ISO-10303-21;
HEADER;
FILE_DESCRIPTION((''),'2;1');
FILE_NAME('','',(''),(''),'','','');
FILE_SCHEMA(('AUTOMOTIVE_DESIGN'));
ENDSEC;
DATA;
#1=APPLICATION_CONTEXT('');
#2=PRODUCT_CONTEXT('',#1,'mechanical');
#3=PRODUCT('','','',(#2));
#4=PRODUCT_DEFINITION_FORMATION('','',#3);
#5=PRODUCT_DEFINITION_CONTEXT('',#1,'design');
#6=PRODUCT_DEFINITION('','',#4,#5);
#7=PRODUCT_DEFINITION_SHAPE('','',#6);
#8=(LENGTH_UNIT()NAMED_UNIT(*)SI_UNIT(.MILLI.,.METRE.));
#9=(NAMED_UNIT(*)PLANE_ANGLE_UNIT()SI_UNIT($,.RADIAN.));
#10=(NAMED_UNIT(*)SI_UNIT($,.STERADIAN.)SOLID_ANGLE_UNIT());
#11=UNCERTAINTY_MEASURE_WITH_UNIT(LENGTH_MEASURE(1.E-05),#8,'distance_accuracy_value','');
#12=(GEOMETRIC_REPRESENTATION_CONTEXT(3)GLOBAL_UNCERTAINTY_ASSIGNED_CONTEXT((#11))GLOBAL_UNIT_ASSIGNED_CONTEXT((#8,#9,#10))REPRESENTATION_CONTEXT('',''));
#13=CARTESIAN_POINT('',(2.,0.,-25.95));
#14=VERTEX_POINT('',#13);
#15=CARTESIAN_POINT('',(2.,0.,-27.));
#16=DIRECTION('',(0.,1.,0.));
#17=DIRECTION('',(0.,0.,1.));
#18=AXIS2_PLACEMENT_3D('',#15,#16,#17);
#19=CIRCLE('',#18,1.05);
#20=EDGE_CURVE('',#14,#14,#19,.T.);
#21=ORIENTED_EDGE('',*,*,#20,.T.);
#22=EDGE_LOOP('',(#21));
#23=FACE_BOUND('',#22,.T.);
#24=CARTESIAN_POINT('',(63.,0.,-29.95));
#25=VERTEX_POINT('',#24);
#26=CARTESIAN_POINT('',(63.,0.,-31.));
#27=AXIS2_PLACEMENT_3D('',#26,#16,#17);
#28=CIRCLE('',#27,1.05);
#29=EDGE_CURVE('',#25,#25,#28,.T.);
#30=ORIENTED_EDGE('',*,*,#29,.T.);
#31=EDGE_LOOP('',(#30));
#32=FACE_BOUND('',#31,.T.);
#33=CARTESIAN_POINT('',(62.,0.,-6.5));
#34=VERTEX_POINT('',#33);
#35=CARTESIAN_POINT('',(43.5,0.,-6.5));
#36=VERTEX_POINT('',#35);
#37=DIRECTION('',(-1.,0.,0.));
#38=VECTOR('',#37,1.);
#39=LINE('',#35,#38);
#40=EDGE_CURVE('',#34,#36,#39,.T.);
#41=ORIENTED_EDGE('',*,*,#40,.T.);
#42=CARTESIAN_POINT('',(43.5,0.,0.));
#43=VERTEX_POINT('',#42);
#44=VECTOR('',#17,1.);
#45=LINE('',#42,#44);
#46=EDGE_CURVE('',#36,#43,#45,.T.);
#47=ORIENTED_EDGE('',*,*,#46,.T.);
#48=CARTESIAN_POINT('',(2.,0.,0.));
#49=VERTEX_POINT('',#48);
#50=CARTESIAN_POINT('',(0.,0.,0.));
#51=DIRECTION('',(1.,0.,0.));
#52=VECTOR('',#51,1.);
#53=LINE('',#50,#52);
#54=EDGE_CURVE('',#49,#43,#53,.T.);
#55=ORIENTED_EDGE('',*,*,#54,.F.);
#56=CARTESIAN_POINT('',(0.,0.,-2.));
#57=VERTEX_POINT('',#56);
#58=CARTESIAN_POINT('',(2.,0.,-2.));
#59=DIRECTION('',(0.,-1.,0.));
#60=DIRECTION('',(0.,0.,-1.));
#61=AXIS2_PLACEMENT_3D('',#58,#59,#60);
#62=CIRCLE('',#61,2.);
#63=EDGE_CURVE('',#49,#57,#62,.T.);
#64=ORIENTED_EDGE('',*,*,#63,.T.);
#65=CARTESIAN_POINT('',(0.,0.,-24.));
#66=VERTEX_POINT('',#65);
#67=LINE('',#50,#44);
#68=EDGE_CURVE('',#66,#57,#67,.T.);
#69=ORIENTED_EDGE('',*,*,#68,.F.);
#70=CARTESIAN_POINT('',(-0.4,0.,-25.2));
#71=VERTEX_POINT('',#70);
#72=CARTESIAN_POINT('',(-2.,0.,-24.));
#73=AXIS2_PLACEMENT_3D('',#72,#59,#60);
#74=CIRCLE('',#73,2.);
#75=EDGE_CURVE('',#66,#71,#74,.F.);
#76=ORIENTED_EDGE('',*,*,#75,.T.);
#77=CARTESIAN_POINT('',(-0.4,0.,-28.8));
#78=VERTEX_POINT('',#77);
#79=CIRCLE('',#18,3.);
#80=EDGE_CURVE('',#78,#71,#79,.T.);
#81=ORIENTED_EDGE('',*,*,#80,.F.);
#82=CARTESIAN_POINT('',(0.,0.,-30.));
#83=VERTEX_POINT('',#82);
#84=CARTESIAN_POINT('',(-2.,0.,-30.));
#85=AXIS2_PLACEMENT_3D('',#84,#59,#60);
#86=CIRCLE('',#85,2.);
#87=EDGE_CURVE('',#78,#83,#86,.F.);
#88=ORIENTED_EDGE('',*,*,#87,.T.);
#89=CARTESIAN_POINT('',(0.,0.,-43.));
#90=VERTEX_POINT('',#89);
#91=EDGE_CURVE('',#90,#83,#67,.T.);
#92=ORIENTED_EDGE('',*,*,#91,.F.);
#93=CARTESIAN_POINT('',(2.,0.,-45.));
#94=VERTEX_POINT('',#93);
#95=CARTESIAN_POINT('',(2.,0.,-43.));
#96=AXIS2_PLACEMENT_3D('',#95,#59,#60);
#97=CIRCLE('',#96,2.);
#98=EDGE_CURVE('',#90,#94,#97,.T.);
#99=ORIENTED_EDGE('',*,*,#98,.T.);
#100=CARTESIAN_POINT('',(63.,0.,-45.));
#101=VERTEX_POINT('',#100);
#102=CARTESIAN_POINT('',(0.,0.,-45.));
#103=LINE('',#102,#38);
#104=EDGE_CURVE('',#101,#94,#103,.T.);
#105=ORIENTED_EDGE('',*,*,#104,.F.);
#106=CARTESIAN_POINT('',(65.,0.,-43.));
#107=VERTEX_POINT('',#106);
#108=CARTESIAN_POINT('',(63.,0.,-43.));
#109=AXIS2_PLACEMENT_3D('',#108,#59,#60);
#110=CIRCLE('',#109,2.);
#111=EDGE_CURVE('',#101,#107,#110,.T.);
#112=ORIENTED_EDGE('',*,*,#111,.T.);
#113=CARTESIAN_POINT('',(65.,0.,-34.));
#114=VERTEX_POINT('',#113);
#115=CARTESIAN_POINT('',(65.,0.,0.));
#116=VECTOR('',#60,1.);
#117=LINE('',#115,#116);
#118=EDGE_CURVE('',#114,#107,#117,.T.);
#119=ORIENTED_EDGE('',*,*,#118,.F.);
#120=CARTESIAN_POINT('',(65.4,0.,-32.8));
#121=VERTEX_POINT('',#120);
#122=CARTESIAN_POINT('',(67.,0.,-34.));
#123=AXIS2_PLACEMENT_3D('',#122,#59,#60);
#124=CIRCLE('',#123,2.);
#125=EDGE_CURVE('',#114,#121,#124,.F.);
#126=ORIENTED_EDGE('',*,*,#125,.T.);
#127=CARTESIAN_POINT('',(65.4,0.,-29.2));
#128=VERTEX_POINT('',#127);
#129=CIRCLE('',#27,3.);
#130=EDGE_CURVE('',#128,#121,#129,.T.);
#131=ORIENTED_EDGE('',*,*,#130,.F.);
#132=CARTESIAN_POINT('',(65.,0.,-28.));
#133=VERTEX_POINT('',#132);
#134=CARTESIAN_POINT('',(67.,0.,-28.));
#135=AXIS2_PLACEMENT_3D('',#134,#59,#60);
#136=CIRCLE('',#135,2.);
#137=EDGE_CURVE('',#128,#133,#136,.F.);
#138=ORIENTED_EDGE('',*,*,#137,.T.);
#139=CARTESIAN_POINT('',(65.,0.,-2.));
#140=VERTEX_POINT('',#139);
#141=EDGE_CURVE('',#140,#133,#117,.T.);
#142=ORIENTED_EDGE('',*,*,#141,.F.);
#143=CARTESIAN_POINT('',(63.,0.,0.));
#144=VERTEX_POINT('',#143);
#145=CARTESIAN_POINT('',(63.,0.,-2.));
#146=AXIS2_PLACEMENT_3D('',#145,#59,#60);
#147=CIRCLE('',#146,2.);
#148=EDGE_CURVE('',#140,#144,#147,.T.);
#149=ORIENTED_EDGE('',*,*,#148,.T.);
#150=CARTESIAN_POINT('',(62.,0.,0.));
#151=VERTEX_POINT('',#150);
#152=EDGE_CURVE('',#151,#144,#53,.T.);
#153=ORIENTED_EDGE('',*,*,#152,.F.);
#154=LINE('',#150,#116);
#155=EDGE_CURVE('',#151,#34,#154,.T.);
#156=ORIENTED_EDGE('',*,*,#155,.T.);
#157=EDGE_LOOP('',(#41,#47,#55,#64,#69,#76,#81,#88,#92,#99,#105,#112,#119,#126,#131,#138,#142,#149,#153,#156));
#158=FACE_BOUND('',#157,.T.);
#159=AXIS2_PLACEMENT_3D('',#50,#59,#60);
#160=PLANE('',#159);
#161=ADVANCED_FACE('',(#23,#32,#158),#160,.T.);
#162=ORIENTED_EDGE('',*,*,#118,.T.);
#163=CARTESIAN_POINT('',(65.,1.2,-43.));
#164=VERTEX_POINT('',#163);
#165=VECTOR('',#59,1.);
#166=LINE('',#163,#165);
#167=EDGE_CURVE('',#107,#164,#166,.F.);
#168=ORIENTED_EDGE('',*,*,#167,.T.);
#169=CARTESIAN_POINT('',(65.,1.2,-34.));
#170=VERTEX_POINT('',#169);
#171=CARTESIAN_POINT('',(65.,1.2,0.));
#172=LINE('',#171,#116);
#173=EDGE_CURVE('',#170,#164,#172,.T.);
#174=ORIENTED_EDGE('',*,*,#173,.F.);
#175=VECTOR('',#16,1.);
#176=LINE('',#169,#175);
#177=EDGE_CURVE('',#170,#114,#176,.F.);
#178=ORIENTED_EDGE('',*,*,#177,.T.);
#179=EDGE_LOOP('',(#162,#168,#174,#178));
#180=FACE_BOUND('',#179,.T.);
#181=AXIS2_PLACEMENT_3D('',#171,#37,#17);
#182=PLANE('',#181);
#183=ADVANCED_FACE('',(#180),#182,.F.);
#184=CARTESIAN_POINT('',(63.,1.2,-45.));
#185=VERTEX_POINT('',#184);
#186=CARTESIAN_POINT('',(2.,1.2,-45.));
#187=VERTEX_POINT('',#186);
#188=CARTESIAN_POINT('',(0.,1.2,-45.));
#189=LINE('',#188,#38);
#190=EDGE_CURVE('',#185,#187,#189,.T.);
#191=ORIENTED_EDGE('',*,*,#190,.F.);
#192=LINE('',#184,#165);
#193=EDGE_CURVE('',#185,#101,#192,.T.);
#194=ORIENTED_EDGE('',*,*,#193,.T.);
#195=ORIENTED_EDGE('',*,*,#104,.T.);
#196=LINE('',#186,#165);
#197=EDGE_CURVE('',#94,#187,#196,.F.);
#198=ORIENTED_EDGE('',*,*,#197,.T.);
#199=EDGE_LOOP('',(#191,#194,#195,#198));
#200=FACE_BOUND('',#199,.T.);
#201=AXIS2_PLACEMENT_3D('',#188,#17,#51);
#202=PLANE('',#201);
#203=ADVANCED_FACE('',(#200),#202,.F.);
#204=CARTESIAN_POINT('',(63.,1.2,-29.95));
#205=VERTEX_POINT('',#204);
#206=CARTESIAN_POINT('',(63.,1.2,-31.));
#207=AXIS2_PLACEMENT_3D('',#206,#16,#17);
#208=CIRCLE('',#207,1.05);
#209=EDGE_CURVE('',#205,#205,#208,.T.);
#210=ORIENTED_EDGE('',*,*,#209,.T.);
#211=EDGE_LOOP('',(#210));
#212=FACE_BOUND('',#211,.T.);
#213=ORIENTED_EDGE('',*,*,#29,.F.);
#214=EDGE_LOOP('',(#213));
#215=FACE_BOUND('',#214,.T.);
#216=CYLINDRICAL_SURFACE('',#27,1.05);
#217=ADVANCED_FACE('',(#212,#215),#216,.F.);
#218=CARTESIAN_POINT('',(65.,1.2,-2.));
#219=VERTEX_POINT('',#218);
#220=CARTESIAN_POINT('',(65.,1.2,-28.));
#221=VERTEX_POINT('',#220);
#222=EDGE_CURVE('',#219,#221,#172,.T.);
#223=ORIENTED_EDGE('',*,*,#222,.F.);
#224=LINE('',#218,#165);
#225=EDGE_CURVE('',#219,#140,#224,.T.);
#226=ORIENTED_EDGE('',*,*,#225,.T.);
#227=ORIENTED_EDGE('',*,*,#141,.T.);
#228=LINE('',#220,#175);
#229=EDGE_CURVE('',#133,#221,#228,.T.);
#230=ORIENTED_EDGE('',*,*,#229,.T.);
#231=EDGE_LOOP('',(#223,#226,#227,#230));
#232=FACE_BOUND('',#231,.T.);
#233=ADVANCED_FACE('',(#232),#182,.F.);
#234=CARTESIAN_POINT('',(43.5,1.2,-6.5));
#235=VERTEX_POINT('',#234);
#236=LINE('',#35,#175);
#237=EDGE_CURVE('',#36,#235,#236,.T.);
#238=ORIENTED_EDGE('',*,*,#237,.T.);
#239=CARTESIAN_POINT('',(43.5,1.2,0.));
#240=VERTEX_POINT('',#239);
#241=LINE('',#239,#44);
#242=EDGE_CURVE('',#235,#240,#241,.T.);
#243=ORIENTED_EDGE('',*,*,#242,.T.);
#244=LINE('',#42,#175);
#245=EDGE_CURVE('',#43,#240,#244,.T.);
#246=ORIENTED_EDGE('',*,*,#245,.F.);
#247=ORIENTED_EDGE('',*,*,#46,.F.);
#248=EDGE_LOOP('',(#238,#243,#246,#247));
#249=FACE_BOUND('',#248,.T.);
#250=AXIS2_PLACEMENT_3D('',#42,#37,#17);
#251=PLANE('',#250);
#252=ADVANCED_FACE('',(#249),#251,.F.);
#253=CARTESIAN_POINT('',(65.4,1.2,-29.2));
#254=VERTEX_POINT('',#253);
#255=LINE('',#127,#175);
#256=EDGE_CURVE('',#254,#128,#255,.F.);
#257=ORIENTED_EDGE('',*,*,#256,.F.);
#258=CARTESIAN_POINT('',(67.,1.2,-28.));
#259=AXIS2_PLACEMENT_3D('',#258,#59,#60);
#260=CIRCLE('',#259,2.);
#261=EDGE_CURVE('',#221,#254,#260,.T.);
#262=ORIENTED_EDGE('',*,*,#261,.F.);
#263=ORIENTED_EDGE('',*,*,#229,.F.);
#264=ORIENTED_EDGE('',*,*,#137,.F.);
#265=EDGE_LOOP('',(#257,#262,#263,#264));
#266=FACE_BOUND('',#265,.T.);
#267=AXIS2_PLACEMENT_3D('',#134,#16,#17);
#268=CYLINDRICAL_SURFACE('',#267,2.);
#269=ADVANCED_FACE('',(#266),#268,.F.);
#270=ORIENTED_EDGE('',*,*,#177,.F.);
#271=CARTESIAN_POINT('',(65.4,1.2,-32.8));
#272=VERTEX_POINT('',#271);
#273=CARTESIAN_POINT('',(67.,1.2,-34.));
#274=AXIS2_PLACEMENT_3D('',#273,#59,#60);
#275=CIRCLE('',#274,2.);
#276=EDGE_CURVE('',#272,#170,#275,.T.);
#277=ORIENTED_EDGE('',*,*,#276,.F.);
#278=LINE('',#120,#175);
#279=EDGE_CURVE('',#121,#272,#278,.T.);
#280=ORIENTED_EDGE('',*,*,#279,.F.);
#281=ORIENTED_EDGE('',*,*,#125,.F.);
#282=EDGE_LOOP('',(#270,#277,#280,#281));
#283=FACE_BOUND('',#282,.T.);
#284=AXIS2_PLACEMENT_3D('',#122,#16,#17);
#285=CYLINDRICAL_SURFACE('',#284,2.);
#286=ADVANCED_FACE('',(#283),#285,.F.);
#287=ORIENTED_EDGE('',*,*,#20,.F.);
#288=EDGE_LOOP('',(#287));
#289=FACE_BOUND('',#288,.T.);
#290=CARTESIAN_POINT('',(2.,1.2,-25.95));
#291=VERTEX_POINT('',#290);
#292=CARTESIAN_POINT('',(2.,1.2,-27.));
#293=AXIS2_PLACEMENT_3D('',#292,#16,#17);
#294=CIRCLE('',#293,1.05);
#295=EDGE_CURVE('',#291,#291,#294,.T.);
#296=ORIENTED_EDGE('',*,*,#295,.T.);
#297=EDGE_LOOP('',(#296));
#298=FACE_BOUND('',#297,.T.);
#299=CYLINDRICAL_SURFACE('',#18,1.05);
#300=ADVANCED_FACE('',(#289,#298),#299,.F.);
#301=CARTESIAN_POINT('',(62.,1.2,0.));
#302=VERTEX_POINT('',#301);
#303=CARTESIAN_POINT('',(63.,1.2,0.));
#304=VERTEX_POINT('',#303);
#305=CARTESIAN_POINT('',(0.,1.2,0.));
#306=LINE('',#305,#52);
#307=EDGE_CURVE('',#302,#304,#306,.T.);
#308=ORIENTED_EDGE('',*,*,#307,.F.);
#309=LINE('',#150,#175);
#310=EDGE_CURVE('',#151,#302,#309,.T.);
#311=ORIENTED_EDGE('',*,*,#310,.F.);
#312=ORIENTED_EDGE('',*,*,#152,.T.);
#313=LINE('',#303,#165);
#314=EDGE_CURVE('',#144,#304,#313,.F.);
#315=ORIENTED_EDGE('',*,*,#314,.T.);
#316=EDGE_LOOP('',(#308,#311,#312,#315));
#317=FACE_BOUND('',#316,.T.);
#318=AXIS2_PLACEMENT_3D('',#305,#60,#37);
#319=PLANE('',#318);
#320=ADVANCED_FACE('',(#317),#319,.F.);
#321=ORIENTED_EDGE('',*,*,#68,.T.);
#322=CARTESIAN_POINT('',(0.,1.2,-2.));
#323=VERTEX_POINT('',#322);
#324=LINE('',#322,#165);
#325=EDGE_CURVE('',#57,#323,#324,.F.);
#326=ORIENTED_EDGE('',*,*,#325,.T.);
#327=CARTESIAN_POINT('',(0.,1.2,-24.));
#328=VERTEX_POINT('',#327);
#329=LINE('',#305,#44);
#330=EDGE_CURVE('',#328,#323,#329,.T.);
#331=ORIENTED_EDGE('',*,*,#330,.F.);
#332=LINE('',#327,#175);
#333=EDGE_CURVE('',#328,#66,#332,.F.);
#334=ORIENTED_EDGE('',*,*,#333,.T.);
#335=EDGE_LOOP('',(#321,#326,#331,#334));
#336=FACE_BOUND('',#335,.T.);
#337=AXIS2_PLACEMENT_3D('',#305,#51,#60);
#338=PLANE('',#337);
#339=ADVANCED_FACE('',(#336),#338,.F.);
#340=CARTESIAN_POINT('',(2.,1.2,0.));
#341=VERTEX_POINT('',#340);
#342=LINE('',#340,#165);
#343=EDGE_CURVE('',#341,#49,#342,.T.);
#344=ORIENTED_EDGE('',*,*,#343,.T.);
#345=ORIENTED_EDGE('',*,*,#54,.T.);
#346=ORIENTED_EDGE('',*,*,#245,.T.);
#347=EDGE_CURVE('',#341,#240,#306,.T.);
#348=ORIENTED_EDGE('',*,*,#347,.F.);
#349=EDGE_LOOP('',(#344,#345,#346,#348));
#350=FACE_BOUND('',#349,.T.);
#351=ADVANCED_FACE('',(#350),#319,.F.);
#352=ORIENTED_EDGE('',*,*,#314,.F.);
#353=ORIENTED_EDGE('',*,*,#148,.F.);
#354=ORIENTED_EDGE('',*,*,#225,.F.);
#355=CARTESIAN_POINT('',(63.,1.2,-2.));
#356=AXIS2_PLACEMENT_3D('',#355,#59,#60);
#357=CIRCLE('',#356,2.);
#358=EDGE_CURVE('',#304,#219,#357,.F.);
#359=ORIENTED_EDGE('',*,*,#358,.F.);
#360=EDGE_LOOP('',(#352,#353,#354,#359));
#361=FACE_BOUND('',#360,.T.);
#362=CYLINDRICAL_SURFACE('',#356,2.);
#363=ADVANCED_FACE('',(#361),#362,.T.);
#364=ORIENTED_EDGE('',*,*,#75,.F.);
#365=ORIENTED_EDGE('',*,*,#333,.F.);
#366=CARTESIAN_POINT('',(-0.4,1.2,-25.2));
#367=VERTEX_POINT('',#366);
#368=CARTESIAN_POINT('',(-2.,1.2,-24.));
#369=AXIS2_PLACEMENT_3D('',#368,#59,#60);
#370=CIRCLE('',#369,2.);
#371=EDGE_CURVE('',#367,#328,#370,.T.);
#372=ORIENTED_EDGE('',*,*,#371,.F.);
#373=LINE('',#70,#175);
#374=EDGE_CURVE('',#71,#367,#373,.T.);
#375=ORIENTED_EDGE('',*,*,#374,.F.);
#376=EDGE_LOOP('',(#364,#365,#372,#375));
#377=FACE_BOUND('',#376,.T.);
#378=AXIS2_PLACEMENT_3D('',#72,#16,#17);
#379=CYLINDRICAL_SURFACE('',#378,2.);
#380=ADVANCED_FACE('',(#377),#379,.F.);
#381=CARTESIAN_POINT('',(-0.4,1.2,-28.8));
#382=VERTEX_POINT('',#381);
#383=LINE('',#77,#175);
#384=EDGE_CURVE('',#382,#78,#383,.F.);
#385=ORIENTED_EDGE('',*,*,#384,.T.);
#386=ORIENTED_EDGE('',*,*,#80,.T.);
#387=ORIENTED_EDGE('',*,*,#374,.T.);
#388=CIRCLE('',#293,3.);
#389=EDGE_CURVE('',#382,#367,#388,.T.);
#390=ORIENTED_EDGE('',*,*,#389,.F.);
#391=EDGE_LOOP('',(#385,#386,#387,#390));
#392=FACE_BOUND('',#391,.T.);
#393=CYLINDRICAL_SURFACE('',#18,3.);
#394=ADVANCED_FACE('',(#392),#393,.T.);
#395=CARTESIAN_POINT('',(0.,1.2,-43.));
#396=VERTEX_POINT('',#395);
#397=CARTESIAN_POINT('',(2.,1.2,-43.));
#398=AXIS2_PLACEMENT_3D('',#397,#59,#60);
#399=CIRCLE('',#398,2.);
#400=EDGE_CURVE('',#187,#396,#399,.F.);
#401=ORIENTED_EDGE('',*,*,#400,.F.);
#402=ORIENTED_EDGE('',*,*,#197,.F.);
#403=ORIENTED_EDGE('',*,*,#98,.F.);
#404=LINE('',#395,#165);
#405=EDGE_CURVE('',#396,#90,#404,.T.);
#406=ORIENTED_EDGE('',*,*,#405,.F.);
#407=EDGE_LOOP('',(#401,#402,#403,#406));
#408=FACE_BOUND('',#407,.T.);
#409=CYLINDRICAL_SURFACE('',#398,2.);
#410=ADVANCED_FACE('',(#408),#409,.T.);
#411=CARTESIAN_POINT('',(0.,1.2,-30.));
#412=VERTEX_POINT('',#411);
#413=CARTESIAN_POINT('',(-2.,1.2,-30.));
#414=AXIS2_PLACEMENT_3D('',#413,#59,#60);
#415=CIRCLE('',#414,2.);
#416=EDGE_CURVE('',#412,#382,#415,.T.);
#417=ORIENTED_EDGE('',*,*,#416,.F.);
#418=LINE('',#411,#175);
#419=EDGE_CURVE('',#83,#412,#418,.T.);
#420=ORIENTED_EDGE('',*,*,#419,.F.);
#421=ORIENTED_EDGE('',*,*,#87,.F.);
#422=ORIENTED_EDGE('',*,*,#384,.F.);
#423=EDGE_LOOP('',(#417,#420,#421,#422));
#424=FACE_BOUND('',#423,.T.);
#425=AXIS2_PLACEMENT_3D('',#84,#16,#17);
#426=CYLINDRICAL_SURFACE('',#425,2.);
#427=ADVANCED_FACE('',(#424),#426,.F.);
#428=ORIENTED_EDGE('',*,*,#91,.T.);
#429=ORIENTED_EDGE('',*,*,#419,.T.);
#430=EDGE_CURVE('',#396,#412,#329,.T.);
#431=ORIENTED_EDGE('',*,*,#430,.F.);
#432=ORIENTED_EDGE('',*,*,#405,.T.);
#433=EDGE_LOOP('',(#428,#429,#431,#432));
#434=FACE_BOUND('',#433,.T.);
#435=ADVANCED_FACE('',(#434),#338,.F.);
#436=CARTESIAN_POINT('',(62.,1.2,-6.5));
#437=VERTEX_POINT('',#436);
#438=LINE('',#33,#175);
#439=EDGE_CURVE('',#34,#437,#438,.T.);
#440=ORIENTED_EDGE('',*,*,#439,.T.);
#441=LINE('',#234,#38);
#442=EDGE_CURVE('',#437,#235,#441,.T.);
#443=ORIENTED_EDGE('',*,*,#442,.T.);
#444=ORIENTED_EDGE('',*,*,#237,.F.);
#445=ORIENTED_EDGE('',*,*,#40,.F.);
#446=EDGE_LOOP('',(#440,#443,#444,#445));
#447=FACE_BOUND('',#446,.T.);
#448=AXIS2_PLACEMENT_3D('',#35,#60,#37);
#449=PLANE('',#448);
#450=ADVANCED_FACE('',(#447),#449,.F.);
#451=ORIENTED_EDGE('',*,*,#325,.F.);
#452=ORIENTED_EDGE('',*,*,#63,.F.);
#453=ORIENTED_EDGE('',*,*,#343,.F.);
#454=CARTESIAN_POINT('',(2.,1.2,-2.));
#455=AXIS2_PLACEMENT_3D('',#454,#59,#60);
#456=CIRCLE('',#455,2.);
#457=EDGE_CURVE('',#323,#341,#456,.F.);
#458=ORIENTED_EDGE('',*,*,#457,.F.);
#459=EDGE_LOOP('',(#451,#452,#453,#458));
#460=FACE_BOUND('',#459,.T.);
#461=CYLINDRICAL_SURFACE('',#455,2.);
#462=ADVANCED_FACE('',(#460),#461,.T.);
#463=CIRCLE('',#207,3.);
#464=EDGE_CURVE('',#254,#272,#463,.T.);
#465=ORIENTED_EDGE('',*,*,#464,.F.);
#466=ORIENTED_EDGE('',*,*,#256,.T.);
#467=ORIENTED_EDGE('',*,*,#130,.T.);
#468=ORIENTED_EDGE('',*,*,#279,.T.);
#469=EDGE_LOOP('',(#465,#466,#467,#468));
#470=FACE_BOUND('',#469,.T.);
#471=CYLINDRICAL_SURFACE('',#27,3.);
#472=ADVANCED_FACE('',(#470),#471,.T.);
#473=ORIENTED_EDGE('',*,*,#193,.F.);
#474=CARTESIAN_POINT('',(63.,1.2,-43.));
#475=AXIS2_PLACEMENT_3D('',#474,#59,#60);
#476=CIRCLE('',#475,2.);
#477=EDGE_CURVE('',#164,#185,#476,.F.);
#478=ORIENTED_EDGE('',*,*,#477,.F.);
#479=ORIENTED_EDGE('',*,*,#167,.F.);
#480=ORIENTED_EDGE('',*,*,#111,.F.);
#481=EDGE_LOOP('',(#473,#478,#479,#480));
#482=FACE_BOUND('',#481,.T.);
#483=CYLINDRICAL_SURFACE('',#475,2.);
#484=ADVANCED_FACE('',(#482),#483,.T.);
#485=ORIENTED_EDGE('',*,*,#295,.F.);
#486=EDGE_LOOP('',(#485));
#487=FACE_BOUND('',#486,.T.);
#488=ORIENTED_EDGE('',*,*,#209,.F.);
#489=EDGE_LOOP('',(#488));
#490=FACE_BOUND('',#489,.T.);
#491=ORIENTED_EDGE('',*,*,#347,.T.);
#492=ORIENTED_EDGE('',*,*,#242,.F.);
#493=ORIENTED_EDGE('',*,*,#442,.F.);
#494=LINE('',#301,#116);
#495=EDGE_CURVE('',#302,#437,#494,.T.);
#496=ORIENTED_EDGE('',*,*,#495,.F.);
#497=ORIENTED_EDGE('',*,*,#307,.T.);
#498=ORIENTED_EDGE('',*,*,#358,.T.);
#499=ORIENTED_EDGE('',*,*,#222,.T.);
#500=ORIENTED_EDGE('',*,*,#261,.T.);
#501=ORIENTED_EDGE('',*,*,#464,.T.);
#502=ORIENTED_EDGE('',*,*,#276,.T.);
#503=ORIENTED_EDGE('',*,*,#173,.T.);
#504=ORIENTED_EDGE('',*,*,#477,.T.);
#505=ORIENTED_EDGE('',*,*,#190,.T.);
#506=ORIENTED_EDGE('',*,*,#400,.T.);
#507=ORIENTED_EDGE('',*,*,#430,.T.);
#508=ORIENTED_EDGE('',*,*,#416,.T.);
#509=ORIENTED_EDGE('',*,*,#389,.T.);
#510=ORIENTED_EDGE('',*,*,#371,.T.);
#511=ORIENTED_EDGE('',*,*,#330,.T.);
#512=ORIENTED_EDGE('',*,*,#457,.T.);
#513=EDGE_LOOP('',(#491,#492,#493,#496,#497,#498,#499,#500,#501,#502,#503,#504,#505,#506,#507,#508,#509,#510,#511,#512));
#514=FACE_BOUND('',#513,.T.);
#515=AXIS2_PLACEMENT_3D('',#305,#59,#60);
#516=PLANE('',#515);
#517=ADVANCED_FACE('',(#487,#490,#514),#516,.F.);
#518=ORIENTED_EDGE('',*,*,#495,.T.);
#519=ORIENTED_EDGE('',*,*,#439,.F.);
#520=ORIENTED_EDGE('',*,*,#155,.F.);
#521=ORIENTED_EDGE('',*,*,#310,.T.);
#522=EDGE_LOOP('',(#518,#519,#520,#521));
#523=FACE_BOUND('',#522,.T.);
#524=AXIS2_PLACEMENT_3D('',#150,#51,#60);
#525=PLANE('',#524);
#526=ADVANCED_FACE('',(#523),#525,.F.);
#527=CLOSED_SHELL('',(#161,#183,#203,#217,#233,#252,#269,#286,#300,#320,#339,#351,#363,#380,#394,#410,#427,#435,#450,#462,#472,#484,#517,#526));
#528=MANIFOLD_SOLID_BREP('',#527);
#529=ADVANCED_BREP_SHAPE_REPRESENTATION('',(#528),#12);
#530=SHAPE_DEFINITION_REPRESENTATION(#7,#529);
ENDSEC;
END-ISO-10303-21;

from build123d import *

# Parameters (mm, degrees)
SKETCH_1_W          = 65
SKETCH_1_H          = 45
EXTRUDE_1_DEPTH     = 1.2
FILLET_1_R          = 2
SKETCH_2_5_R        = 3
EXTRUDE_2_DEPTH     = 1.2
SKETCH_2_R          = 1.05
CUT_EXTRUDE_1_DEPTH = 2.2
FILLET_2_R          = 2
SKETCH_3_W          = 18.5
SKETCH_3_H          = 6.5
CUT_EXTRUDE_2_DEPTH = 2.2


with BuildPart() as part:
    # 草图1 → 凸台-拉伸1 (new body)
    with BuildSketch(Plane(origin=(0, 0, 0), x_dir=(1, 0, 0), z_dir=(0, 1, 0))):
        with Locations((32.5, 22.5)):
            Rectangle(SKETCH_1_W, SKETCH_1_H)
    extrude(amount=EXTRUDE_1_DEPTH)

    # 圆角1
    fillet_1_edges = [part.edges().sort_by_distance(p)[0] for p in [
        (0, 0.6, -45),
        (65, 0.6, -45),
        (65, 0.6, 0),
        (0, 0.6, 0),
    ]]
    fillet(fillet_1_edges, radius=FILLET_1_R)

    # 草图2<5> → 凸台-拉伸2 (add)
    with BuildSketch(Plane(origin=(0, 1.2, 0), x_dir=(1, 0, 0), z_dir=(0, 1, 0))):
        with Locations((63, 31)):
            Circle(SKETCH_2_5_R)
        with Locations((2, 27)):
            Circle(SKETCH_2_5_R)
    extrude(amount=-EXTRUDE_2_DEPTH)

    # 草图2 → 切除-拉伸1 (cut, through all)
    with BuildSketch(Plane(origin=(0, 1.2, 0), x_dir=(1, 0, 0), z_dir=(0, 1, 0))):
        with Locations((63, 31)):
            Circle(SKETCH_2_R)
        with Locations((2, 27)):
            Circle(SKETCH_2_R)
    extrude(amount=-CUT_EXTRUDE_1_DEPTH, mode=Mode.SUBTRACT)

    # 圆角2
    fillet_2_edges = [part.edges().sort_by_distance(p)[0] for p in [
        (0, 0.6, -29.236067977),
        (0, 0.6, -24.763932023),
        (65, 0.6, -28.763932023),
        (65, 0.6, -33.236067977),
    ]]
    fillet(fillet_2_edges, radius=FILLET_2_R)

    # 草图3 → 切除-拉伸2 (cut, through all)
    with BuildSketch(Plane(origin=(0, 1.2, 0), x_dir=(1, 0, 0), z_dir=(0, 1, 0))):
        with Locations((52.75, 3.25)):
            Rectangle(SKETCH_3_W, SKETCH_3_H)
    extrude(amount=-CUT_EXTRUDE_2_DEPTH, mode=Mode.SUBTRACT)


solid = part.part
